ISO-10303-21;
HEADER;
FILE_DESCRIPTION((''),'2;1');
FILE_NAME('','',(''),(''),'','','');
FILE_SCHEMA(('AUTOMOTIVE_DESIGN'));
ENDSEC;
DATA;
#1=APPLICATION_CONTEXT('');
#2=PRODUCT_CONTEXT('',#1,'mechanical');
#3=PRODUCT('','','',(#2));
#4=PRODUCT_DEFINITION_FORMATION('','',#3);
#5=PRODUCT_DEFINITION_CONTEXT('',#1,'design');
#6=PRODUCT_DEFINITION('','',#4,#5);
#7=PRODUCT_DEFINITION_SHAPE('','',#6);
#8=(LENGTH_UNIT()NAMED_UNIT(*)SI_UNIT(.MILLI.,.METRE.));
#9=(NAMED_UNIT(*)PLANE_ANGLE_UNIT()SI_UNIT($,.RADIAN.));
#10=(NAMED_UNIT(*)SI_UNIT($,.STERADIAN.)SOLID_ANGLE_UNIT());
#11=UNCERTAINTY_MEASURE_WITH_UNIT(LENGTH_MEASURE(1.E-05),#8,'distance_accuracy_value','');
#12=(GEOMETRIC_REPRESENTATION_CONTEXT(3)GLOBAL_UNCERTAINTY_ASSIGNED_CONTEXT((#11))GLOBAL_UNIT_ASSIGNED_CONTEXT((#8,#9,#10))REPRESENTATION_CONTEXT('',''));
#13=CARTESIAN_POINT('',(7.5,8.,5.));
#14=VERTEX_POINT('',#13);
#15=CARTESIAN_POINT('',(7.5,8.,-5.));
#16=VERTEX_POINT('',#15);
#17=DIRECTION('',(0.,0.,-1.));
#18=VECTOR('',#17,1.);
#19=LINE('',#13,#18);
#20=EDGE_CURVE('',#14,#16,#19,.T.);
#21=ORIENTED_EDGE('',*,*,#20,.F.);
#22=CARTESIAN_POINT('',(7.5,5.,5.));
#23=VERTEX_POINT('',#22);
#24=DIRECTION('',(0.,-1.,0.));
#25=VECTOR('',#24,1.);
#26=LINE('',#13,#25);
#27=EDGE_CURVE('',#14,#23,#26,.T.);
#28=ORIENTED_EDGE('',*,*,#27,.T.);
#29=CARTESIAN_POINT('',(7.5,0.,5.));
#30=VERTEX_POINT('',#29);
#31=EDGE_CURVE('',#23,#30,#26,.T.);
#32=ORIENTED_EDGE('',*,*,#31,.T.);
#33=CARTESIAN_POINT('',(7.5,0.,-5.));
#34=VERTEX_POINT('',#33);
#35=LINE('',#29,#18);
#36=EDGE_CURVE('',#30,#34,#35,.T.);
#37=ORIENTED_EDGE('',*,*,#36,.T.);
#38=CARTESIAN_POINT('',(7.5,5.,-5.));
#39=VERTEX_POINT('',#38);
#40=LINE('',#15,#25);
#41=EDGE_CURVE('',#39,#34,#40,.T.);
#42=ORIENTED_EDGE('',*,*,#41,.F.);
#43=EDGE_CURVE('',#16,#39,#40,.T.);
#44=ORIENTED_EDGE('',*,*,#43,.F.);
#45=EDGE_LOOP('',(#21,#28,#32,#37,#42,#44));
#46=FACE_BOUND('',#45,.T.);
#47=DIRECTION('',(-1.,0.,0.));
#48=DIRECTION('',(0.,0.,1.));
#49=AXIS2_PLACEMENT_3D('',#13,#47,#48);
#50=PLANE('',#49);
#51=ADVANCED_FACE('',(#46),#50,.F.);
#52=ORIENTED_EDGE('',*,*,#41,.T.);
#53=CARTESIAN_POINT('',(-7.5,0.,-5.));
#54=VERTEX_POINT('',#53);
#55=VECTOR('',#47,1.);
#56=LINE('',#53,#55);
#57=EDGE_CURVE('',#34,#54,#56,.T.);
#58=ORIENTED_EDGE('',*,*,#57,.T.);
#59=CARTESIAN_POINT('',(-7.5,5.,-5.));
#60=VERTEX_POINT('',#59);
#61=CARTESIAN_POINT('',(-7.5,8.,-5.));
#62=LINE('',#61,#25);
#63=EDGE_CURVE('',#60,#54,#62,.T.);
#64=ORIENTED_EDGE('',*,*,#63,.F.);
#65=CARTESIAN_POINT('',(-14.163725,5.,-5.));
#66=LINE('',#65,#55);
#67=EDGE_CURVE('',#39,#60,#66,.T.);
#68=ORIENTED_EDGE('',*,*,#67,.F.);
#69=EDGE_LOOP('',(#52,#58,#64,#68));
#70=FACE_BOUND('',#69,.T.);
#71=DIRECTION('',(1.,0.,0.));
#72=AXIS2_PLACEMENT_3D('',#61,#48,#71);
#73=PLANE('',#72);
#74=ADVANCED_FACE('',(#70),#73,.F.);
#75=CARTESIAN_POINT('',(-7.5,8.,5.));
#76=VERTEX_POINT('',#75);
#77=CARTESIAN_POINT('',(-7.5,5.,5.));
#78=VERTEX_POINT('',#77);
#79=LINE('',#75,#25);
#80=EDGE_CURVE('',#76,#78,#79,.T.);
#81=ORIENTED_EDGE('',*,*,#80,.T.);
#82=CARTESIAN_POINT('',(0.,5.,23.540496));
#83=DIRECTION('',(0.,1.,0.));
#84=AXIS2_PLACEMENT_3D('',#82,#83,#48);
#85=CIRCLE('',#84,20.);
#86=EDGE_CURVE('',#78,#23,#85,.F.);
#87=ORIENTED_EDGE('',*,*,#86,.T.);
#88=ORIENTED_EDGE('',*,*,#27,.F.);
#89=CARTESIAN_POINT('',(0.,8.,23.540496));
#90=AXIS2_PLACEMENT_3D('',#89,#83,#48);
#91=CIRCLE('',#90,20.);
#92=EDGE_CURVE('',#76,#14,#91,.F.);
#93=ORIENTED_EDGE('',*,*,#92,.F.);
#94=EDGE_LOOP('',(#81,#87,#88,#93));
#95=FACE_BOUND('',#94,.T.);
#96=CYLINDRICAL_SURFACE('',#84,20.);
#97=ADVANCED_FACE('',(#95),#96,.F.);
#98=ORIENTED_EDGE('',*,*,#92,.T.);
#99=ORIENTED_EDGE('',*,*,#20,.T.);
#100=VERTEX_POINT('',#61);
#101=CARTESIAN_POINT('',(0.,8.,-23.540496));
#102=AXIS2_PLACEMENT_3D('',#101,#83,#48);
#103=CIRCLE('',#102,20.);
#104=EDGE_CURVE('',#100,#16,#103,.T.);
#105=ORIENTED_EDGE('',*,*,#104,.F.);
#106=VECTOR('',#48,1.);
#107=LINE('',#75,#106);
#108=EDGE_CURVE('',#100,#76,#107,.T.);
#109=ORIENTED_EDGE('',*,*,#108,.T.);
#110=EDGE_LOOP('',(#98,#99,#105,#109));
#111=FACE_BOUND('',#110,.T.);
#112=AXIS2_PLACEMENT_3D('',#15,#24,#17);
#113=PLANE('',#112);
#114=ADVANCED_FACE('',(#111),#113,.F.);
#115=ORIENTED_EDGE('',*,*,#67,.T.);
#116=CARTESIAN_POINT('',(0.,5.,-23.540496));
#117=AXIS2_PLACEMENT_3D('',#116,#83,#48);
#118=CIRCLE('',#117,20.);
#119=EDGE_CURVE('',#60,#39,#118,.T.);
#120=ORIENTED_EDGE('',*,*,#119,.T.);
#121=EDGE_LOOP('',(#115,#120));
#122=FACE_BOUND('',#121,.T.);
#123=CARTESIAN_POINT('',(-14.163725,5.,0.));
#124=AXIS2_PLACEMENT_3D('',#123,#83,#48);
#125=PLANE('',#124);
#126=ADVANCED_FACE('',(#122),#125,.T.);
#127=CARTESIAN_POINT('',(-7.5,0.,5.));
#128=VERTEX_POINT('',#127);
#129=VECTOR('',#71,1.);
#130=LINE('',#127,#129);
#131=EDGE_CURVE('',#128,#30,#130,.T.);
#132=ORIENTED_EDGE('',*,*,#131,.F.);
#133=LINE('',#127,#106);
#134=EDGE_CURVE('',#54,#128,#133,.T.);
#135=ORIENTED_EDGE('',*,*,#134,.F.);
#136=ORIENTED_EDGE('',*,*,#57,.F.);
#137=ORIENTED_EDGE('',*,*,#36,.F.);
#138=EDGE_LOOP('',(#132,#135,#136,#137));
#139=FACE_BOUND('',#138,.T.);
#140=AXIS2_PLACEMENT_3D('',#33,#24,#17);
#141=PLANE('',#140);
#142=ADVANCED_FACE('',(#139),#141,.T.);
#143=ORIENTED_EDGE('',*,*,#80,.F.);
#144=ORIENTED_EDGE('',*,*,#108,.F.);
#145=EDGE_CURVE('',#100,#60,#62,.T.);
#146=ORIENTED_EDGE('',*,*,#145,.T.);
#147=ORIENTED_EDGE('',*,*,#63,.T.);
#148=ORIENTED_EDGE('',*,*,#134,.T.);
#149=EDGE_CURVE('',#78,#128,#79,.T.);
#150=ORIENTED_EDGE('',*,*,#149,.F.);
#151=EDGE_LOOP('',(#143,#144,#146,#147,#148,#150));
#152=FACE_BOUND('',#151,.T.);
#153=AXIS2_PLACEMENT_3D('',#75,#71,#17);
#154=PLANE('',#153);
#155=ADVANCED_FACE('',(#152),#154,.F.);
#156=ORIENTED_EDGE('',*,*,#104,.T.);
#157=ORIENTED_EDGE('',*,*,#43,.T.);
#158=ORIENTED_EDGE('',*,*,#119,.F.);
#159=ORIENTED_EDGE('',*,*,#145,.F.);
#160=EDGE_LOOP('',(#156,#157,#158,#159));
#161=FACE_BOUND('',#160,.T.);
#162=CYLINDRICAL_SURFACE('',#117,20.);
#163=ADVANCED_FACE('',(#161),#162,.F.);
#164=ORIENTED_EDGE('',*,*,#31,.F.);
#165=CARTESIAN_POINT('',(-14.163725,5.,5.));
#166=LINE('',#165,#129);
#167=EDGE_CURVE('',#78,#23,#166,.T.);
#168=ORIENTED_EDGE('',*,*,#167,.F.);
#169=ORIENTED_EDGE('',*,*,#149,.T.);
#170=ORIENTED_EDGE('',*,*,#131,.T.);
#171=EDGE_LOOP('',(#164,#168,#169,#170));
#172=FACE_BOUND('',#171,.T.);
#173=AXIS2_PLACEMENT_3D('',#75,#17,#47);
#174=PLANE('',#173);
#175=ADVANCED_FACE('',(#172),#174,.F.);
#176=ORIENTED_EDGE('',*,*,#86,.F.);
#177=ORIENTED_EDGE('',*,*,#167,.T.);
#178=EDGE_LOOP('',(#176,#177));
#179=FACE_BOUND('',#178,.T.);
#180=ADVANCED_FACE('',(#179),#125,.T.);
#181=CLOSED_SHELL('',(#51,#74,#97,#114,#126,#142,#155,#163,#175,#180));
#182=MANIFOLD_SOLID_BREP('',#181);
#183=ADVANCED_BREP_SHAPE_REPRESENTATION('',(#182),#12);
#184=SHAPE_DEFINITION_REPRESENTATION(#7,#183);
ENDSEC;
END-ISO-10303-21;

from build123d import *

# Parameters (mm, degrees)
CROQUIS1_W              = 15
CROQUIS1_H              = 10
SALIENTE_EXTRUIR1_DEPTH = 8
CORTAR_EXTRUIR1_DEPTH   = 3


with BuildPart() as part:
    # Croquis1 → Saliente-Extruir1 (new body)
    with BuildSketch(Plane(origin=(0, 0, 0), x_dir=(1, 0, 0), z_dir=(0, 1, 0))):
        Rectangle(CROQUIS1_W, CROQUIS1_H)
    extrude(amount=SALIENTE_EXTRUIR1_DEPTH)

    # Croquis2 → Cortar-Extruir1 (cut)
    with BuildSketch(Plane(origin=(0, 8, 0), x_dir=(-1, 0, 0), z_dir=(0, 1, 0))):
        with BuildLine():
            Line((-7.5, -5), (7.5, -5))
            ThreePointArc((7.5, -5), (0, -3.540496218), (-7.5, -5))
        make_face()
        with BuildLine():
            ThreePointArc((-7.5, 5), (0, 3.540496218), (7.5, 5))
            Line((7.5, 5), (-7.5, 5))
        make_face()
    extrude(amount=-CORTAR_EXTRUIR1_DEPTH, mode=Mode.SUBTRACT)


solid = part.part
